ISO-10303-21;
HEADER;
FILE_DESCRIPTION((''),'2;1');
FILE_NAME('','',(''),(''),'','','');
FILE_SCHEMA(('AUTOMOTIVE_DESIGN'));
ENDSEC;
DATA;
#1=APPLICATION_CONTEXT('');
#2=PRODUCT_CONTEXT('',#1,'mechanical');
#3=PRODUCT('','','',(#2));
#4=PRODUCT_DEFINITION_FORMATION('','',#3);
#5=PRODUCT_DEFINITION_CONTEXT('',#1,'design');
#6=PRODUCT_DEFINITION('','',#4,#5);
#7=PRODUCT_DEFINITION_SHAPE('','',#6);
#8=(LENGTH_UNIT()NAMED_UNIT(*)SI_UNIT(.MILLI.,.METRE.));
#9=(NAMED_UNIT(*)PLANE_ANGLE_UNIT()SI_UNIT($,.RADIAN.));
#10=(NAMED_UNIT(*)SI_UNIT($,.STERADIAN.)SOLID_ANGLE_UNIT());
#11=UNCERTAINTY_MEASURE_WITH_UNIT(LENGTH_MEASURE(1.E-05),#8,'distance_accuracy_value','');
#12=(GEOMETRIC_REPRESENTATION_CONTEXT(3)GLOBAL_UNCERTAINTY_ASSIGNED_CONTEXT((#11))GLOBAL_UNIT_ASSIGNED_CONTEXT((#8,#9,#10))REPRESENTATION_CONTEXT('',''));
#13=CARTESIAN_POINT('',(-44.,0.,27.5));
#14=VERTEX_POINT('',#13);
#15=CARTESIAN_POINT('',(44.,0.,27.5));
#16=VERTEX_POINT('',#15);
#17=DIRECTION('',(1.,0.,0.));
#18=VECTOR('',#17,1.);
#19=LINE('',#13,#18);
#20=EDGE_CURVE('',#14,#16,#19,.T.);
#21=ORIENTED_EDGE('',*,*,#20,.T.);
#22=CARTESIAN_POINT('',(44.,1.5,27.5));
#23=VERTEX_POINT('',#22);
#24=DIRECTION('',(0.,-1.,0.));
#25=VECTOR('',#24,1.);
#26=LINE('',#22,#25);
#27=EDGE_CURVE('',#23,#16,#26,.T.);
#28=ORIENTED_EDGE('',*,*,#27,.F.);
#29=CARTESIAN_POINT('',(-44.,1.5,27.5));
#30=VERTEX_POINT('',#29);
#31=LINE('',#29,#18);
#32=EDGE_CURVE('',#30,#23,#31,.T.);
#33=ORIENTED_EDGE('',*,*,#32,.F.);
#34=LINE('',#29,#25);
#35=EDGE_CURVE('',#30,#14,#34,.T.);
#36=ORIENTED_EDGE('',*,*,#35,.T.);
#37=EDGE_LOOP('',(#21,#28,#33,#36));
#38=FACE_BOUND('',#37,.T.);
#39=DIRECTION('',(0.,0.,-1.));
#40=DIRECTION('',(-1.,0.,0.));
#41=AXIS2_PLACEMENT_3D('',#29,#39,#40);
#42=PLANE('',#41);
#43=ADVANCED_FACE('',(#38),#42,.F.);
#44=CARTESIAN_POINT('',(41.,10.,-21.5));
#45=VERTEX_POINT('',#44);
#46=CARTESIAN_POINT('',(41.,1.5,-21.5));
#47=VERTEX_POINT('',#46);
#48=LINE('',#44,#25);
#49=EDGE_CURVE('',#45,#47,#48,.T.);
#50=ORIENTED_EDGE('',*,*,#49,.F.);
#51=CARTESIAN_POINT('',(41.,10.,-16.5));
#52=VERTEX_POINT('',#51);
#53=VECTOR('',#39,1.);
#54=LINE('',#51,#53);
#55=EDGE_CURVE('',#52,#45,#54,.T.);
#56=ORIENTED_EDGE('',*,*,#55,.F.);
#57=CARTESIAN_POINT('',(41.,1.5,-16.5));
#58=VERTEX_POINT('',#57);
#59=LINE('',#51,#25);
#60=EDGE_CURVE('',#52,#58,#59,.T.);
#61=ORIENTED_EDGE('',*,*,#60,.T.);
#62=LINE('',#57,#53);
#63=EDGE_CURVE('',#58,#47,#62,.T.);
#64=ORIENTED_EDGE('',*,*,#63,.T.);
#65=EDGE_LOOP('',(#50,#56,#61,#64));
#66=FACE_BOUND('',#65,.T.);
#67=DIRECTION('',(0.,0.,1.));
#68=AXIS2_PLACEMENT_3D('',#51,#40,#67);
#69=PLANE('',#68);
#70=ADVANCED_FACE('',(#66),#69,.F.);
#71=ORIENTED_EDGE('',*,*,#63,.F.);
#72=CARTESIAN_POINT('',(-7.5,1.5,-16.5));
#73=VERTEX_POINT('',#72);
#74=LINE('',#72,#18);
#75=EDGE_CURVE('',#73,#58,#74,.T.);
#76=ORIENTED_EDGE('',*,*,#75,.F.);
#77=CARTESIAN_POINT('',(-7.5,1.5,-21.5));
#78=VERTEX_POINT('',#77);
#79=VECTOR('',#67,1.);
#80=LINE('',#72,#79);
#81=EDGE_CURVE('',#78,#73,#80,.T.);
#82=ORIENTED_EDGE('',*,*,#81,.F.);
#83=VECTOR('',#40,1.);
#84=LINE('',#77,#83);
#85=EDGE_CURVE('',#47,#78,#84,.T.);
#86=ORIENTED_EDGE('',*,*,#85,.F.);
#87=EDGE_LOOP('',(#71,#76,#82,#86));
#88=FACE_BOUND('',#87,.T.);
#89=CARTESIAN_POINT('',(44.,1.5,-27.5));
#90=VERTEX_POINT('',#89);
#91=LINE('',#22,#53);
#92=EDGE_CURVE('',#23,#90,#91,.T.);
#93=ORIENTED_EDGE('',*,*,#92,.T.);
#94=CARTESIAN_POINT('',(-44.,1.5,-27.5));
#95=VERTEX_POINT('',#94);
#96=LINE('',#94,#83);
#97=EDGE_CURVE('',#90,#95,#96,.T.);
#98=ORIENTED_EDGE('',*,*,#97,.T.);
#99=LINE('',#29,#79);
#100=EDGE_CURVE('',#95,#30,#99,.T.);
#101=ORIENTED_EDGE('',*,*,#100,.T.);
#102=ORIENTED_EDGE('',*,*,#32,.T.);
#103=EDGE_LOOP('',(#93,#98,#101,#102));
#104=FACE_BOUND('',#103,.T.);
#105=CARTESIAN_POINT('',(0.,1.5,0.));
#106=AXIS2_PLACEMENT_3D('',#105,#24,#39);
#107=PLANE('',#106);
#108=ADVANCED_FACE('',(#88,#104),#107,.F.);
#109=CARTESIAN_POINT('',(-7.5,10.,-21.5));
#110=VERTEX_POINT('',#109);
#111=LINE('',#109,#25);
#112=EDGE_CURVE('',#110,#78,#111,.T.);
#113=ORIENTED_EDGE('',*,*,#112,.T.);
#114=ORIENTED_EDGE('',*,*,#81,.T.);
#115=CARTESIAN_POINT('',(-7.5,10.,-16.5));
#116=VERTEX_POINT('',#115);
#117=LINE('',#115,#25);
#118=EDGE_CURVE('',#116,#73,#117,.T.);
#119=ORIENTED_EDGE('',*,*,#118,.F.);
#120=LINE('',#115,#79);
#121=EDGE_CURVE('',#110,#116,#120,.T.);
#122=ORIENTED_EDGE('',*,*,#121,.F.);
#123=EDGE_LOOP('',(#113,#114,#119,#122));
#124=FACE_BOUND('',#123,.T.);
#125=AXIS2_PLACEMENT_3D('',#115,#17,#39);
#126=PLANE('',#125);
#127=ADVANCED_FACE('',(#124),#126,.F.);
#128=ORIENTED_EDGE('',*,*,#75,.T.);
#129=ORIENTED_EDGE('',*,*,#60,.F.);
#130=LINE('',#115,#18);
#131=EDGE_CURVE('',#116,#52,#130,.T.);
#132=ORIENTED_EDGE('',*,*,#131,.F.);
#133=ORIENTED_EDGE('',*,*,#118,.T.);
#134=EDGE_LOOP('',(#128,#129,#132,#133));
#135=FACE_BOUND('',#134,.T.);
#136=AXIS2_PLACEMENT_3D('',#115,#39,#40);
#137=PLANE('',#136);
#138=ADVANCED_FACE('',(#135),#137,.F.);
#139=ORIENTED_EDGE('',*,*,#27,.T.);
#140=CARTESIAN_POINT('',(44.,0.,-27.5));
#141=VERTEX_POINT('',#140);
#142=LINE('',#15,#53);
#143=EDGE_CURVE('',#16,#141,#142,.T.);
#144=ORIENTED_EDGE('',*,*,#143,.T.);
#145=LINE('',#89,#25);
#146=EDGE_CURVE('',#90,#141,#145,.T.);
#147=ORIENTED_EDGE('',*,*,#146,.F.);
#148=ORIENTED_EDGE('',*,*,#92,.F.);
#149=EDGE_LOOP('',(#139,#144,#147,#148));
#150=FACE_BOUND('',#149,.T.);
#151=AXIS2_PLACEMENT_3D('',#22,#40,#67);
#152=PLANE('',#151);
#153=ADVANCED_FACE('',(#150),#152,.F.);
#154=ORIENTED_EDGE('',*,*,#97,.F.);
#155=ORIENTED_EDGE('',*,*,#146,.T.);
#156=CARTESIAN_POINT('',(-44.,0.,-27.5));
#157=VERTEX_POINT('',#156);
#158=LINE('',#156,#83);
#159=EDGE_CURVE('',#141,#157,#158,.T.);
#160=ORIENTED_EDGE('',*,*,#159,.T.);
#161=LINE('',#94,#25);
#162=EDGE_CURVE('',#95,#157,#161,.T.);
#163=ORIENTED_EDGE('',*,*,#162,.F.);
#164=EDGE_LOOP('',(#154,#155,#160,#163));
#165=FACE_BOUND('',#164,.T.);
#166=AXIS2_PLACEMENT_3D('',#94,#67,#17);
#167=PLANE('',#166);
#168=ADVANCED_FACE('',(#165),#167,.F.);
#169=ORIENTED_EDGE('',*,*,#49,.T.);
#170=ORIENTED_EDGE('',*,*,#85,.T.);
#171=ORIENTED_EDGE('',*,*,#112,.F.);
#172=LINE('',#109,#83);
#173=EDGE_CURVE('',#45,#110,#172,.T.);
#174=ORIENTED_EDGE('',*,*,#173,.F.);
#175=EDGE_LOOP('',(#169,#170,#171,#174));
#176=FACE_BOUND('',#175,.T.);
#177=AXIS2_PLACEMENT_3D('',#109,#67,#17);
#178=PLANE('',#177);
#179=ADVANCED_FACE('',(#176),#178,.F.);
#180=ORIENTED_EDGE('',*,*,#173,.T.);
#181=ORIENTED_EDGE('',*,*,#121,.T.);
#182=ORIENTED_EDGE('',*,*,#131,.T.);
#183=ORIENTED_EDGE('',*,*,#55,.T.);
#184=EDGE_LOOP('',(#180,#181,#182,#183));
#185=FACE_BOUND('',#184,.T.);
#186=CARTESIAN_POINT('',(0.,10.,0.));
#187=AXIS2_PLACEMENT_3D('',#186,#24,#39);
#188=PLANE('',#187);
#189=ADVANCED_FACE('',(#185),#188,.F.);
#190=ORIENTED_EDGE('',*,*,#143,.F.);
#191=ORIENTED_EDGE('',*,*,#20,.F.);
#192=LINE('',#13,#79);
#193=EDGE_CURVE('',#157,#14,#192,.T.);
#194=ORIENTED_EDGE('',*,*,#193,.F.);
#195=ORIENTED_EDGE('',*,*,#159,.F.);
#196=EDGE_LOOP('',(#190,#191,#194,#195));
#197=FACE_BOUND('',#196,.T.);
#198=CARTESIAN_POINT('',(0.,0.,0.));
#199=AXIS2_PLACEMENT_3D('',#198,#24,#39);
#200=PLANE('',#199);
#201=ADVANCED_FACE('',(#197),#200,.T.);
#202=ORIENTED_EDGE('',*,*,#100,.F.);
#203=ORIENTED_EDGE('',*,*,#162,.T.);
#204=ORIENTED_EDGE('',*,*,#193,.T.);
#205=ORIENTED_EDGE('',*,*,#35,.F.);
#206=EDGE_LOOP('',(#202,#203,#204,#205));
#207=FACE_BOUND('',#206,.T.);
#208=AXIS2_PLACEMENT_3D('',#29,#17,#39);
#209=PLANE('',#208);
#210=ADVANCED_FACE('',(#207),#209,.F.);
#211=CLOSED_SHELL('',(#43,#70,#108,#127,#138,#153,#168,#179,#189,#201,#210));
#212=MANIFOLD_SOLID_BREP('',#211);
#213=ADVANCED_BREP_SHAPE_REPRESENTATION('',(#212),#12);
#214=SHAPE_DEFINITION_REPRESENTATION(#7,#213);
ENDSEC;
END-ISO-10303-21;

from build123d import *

# Parameters (mm, degrees)
SZKIC1_W                    = 88
SZKIC1_H                    = 55
DODANIE_WYCI_GNI_CIE1_DEPTH = 1.5
SZKIC2_W                    = 48.5
SZKIC2_H                    = 5
DODANIE_WYCI_GNI_CIE2_DEPTH = 8.5


with BuildPart() as part:
    # Szkic1 → Dodanie-wyciągnięcie1 (new body)
    with BuildSketch(Plane(origin=(0, 0, 0), x_dir=(1, 0, 0), z_dir=(0, 1, 0))):
        Rectangle(SZKIC1_W, SZKIC1_H)
    extrude(amount=DODANIE_WYCI_GNI_CIE1_DEPTH)

    # Szkic2 → Dodanie-wyciągnięcie2 (add)
    with BuildSketch(Plane(origin=(0, 1.5, 0), x_dir=(1, 0, 0), z_dir=(0, 1, 0))):
        with Locations((16.75, 19)):
            Rectangle(SZKIC2_W, SZKIC2_H)
    extrude(amount=DODANIE_WYCI_GNI_CIE2_DEPTH)


solid = part.part
